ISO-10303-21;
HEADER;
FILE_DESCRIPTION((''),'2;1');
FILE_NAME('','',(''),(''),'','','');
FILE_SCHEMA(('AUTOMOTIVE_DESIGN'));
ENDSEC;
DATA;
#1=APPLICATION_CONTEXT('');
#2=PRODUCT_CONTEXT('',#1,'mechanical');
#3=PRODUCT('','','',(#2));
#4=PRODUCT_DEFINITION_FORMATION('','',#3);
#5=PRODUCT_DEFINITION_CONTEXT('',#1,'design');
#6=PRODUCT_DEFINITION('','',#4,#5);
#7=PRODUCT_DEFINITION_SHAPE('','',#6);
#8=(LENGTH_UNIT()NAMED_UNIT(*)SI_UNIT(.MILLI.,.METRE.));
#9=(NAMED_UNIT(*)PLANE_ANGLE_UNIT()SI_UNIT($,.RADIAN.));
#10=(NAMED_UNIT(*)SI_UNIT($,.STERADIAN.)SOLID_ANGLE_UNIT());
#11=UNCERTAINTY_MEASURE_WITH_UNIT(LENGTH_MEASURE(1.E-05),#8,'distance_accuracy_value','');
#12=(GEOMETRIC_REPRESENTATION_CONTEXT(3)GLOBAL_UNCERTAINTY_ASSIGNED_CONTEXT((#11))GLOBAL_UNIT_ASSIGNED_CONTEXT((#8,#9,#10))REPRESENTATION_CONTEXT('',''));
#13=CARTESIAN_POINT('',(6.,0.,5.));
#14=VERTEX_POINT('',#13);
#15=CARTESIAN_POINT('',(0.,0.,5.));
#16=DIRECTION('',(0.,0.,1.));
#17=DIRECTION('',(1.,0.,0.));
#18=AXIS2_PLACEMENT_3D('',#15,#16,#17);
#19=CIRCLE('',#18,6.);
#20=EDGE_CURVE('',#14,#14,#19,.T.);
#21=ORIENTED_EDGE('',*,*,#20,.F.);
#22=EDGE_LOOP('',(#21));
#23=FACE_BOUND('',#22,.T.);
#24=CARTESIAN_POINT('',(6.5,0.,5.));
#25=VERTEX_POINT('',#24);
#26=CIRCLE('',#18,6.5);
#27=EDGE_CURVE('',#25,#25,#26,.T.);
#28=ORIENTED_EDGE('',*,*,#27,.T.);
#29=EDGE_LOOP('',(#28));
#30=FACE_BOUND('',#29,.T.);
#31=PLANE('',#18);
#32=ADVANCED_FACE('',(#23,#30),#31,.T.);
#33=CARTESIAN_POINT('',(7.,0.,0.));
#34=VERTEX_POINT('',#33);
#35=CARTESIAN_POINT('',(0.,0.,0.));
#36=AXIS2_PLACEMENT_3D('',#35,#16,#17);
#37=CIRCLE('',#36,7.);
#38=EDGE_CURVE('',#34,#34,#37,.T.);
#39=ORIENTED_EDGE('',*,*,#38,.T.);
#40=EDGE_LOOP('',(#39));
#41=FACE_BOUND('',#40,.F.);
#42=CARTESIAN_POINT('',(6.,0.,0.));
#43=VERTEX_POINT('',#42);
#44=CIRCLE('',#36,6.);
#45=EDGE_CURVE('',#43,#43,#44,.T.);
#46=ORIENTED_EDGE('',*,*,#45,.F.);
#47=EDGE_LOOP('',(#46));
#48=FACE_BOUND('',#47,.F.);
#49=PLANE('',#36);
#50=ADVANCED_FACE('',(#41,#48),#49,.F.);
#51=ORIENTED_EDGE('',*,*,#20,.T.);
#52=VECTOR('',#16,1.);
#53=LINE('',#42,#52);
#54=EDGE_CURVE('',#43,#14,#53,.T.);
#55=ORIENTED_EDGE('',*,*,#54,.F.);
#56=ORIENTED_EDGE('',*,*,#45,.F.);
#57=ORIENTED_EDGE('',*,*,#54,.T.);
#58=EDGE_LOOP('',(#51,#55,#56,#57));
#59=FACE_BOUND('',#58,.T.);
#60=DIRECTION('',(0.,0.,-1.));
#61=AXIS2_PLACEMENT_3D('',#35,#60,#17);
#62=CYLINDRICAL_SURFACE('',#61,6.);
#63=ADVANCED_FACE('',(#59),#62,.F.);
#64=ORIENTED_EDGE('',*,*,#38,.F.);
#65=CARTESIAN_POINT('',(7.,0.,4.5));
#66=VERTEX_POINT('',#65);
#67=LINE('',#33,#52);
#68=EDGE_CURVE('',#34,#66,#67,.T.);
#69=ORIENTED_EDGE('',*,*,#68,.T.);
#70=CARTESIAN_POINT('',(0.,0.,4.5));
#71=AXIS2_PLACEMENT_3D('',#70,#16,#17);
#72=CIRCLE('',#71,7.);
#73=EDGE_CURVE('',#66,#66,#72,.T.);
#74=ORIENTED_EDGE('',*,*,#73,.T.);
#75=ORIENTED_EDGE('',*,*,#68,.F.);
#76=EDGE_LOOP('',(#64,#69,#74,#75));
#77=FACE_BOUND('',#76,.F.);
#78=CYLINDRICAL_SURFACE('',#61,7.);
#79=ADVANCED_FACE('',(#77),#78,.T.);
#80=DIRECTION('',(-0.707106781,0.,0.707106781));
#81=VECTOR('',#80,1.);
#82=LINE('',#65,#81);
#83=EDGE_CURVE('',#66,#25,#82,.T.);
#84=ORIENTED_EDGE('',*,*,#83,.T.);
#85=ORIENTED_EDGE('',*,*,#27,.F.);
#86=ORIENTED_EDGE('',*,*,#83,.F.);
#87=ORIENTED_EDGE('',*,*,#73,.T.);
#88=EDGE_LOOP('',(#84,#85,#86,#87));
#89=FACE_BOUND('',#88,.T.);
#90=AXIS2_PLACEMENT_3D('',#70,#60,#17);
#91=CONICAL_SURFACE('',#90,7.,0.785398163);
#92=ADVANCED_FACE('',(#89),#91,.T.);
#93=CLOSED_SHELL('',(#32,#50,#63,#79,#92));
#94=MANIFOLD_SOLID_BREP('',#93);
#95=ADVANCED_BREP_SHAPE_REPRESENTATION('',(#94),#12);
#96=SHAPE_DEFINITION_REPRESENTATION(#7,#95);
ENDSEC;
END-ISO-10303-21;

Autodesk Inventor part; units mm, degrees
ref_plane "YZ Plane" through (0, 0, 0) normal (1, 0, 0) x (0, 1, 0)
ref_plane "XZ Plane" through (0, 0, 0) normal (0, 1, 0) x (-1, 0, 0)
ref_plane "XY Plane" through (0, 0, 0) normal (0, 0, 1) x (1, 0, 0)
sketch "スケッチ1" plane through (0, 0, 0) normal (0, 0, 1) x (1, 0, 0)
  circle A0 centre (0, 0) radius 7
  circle A1 centre (0, 0) radius 6
  dimension "d0" = 14
  dimension "d1" = 12
extrude "押し出し1" add sketch "スケッチ1" along normal blind 5
chamfer "面取り1" distance 0.5 angle 45 1 edges at (-7, 0, 5)
properties part number "オイレスw5f10-12n" material "アセタール樹脂、黒"
